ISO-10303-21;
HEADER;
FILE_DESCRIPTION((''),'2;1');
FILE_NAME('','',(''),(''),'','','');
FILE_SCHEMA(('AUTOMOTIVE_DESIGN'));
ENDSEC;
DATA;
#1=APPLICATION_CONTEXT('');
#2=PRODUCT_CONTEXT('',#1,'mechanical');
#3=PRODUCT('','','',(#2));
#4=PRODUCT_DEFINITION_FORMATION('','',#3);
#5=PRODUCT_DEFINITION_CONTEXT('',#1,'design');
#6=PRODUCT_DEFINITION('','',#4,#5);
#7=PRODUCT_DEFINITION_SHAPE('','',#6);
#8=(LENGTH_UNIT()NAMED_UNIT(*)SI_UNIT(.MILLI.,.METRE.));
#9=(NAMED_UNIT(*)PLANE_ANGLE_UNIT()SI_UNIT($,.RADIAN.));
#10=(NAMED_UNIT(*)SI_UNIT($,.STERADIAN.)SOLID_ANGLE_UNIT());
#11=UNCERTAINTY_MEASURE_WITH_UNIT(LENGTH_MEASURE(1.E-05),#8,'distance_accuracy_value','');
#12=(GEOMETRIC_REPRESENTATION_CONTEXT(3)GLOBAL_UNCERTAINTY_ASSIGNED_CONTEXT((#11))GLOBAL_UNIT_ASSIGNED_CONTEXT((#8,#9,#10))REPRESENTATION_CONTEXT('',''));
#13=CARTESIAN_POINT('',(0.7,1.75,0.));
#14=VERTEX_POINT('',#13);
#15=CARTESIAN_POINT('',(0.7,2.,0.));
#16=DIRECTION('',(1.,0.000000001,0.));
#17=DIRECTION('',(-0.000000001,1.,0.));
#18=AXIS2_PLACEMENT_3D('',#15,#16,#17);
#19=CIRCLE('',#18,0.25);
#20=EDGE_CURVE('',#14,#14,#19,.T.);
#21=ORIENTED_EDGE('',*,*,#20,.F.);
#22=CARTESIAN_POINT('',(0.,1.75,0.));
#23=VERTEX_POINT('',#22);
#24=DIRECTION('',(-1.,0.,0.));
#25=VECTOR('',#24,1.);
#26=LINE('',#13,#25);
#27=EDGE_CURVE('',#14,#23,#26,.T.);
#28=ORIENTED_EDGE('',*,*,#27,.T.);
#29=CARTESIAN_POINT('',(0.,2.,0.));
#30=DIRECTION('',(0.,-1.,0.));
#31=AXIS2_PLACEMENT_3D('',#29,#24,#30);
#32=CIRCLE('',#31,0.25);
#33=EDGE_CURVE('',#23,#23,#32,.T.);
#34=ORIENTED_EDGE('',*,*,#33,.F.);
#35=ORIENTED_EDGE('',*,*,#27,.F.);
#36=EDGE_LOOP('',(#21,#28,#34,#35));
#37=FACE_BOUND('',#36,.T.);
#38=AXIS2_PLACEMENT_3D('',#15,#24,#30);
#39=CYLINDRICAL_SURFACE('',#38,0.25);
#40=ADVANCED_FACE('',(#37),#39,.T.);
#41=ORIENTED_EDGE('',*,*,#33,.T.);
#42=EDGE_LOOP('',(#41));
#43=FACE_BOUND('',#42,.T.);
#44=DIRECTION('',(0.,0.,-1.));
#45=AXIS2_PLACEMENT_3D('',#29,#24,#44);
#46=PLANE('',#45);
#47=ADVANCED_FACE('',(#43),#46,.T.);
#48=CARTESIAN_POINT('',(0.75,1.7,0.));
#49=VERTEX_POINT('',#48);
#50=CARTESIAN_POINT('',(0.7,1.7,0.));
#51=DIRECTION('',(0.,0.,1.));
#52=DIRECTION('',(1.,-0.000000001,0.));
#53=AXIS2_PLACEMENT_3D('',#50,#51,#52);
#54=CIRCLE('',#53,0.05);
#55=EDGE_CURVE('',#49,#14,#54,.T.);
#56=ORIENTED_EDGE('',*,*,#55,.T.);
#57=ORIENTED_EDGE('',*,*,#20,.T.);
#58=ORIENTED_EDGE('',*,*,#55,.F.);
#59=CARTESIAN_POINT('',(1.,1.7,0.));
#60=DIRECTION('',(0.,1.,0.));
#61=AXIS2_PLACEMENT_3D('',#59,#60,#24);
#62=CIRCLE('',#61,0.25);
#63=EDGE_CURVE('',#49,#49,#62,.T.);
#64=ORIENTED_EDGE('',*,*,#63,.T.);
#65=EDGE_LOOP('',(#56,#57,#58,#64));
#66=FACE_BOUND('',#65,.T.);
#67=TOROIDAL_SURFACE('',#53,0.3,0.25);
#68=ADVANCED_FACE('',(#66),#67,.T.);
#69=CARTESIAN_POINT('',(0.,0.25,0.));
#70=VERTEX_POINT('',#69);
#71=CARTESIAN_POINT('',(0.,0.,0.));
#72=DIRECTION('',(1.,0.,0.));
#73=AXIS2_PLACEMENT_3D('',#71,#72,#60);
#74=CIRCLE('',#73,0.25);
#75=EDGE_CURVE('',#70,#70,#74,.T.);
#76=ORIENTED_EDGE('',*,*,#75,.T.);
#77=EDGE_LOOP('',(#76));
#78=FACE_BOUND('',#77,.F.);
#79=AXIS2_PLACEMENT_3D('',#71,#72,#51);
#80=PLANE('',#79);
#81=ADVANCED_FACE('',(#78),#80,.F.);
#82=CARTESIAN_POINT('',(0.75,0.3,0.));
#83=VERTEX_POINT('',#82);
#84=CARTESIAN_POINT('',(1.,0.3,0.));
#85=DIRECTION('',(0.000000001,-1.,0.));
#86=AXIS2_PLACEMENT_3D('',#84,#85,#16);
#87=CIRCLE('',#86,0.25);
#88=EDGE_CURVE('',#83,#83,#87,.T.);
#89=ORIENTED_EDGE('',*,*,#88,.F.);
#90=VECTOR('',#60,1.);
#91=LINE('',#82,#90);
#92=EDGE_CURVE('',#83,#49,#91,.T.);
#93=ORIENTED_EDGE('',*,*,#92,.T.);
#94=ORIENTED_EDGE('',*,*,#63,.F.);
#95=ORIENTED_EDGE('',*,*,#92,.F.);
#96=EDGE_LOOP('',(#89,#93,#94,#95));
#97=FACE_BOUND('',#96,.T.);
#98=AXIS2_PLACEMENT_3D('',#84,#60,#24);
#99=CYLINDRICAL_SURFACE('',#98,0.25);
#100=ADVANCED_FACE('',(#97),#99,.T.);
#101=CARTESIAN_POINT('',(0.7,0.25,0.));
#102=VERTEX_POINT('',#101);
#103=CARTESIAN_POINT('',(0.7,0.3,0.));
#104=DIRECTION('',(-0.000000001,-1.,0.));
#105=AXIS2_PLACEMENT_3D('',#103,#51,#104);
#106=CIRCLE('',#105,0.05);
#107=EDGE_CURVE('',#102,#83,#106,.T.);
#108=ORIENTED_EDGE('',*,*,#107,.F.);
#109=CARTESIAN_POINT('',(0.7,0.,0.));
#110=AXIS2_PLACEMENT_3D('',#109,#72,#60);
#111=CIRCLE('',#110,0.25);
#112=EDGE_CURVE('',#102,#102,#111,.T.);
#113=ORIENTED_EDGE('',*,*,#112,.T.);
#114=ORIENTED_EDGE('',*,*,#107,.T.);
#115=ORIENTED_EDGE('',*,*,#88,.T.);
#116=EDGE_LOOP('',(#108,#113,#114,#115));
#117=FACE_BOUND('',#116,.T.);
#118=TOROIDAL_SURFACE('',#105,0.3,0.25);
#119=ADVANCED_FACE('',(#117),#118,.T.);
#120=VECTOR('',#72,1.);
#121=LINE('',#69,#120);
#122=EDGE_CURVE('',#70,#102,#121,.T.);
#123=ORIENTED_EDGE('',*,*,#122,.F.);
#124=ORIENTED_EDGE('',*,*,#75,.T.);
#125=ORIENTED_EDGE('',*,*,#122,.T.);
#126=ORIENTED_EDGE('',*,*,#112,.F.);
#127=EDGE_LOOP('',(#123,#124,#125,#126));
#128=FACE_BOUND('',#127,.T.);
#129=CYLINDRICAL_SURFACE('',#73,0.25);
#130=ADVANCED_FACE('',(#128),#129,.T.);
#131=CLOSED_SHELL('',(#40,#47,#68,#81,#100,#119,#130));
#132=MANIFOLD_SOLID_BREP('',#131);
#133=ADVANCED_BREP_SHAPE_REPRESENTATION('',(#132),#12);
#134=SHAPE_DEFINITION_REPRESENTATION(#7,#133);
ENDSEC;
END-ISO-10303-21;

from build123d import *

# Parameters (mm, degrees)
F0_R = 0.25


with BuildPart() as f2:
    # F2: sweep along a path in F1
    with BuildLine(Plane.XY) as f2_path:
        Line((0, 0), (0.7, 0))
        ThreePointArc((0.7, 0), (0.9121320344, 0.0878679656), (1, 0.3))
        Line((1, 0.3), (1, 1.7))
        ThreePointArc((1, 1.7), (0.9121320344, 1.9121320344), (0.7, 2))
        Line((0.7, 2), (0, 2))
    # F0 (on Right) → F2 (sweep)
    with BuildSketch(Plane.YZ):
        Circle(F0_R)
    sweep(path=f2_path.line)


solid = f2.part
